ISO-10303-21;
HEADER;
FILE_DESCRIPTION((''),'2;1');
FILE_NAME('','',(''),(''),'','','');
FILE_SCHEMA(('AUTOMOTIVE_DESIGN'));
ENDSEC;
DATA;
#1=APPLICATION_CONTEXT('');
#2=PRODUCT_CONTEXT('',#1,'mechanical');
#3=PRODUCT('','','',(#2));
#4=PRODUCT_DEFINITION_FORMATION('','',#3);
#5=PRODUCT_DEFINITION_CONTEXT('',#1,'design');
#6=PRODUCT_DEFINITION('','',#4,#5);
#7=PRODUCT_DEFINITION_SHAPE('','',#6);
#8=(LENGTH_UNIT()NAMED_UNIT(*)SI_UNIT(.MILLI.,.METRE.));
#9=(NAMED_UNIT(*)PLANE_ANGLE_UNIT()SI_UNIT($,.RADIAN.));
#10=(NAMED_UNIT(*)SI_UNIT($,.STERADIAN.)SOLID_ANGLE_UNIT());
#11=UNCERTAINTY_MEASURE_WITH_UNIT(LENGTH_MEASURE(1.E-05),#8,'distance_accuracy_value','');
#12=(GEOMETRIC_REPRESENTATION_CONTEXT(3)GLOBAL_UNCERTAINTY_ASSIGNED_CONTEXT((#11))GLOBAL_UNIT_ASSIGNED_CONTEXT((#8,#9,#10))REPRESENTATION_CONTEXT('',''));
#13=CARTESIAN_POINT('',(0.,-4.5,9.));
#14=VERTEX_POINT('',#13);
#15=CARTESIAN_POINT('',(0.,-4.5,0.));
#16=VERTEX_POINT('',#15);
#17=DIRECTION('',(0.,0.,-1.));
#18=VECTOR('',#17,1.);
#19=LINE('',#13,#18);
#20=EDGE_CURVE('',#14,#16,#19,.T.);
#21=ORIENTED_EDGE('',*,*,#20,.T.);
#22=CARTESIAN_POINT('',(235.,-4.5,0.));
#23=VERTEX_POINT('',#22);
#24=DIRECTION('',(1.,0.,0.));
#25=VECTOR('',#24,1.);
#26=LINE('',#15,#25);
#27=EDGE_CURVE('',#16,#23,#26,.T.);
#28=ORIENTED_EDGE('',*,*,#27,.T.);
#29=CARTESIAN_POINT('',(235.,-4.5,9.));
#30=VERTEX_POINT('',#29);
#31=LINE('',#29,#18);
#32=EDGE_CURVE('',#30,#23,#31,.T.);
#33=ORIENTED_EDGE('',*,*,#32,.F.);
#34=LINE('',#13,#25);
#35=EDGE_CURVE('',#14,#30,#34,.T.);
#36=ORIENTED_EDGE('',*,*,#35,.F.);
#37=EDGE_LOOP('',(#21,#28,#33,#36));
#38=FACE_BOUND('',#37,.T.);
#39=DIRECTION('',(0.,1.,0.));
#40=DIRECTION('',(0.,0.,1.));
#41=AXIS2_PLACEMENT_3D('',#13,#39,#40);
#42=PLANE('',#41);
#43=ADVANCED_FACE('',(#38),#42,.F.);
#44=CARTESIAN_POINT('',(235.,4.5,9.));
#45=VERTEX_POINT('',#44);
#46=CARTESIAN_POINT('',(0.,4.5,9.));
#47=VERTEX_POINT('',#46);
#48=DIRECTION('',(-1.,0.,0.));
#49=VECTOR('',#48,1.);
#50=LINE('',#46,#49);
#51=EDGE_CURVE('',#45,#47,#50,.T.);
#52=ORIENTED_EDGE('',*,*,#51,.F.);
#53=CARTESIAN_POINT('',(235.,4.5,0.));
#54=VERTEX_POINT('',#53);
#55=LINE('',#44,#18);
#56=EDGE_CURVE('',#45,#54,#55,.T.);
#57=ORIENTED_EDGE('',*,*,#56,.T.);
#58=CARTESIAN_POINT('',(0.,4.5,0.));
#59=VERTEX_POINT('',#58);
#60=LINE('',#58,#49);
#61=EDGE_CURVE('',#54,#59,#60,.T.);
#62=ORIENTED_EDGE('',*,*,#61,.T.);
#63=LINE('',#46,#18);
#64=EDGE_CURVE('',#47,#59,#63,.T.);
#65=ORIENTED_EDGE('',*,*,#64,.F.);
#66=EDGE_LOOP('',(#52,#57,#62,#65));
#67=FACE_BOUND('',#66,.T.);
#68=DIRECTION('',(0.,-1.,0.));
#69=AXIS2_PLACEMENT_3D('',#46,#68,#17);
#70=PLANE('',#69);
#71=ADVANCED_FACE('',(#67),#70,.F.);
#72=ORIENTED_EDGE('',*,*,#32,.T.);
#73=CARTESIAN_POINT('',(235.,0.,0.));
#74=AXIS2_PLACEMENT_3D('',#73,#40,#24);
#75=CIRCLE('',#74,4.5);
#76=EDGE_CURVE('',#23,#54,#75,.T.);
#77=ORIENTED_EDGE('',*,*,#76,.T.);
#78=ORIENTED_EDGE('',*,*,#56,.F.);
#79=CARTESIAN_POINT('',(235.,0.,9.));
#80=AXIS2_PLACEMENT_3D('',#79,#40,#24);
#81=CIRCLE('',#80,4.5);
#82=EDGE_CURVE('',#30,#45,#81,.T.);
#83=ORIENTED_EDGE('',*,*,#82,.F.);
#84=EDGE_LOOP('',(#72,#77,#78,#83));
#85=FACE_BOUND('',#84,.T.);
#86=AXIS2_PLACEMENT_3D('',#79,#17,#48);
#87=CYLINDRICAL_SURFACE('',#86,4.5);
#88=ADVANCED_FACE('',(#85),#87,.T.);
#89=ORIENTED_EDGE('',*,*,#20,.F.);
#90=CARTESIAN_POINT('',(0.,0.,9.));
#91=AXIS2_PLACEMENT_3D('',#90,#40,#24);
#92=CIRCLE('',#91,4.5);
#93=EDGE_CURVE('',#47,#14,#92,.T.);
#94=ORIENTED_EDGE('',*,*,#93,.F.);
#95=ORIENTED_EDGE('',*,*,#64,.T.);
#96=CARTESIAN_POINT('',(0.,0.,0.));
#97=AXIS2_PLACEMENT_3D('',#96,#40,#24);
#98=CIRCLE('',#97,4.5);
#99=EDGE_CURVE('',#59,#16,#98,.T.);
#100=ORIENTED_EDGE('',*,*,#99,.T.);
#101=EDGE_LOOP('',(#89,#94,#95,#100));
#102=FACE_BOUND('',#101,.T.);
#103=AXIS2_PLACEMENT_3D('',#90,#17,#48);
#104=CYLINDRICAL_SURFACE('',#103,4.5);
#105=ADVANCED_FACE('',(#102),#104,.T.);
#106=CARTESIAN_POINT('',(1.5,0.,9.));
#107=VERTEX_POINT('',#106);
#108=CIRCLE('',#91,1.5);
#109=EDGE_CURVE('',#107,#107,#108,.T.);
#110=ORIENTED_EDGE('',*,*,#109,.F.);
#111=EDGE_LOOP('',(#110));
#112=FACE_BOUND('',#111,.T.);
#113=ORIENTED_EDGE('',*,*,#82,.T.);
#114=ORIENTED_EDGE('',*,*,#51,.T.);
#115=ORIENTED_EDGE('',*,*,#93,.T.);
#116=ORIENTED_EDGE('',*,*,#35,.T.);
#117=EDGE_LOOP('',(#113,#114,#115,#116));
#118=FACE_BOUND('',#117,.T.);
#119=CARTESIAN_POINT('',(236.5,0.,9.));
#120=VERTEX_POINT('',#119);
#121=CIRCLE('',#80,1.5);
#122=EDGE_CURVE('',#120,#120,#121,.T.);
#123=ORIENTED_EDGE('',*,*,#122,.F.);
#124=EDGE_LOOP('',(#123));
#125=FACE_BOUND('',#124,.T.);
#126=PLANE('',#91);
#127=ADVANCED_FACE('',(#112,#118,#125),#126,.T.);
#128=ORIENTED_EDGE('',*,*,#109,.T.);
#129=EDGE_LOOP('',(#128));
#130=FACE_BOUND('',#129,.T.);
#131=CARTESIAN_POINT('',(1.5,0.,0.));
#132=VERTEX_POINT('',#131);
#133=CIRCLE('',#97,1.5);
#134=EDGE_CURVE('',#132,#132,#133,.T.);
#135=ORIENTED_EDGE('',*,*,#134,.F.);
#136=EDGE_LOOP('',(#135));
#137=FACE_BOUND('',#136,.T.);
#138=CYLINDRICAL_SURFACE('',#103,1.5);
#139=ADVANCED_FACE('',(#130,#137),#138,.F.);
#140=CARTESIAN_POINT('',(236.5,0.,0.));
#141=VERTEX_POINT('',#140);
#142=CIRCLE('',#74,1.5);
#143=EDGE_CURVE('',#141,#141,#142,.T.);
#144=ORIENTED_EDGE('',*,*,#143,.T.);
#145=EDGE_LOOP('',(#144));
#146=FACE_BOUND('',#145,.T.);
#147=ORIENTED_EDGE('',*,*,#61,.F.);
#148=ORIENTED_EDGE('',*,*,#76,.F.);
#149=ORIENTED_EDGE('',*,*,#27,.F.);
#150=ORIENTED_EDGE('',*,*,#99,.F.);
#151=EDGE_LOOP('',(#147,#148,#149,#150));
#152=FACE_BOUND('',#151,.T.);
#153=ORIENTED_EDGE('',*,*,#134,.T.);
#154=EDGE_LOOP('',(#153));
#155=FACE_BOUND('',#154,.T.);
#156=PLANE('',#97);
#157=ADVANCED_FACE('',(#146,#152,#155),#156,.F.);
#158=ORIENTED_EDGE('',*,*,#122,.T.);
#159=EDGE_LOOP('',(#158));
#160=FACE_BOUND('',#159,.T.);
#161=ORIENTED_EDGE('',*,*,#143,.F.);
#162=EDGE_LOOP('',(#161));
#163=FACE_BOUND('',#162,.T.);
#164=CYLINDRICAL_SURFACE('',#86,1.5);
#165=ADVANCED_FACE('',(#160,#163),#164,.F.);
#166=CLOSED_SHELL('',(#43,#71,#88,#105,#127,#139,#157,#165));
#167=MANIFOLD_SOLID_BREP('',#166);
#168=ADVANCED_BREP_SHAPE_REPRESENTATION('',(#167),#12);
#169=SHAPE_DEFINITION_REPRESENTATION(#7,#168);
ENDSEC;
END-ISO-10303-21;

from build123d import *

# Parameters (mm, degrees)
SKETCH1_R           = 1.5
BOSS_EXTRUDE1_DEPTH = 9


with BuildPart() as part:
    # Sketch1 → Boss-Extrude1 (new body)
    with BuildSketch(Plane.XY):
        with BuildLine():
            Line((0, 4.5), (235, 4.5))
            ThreePointArc((235, 4.5), (239.5, 0), (235, -4.5))
            Line((235, -4.5), (0, -4.5))
            ThreePointArc((0, -4.5), (-4.5, 0), (0, 4.5))
        make_face()
        Circle(SKETCH1_R, mode=Mode.SUBTRACT)
        with Locations((235, 0)):
            Circle(SKETCH1_R, mode=Mode.SUBTRACT)
    extrude(amount=BOSS_EXTRUDE1_DEPTH)


solid = part.part
